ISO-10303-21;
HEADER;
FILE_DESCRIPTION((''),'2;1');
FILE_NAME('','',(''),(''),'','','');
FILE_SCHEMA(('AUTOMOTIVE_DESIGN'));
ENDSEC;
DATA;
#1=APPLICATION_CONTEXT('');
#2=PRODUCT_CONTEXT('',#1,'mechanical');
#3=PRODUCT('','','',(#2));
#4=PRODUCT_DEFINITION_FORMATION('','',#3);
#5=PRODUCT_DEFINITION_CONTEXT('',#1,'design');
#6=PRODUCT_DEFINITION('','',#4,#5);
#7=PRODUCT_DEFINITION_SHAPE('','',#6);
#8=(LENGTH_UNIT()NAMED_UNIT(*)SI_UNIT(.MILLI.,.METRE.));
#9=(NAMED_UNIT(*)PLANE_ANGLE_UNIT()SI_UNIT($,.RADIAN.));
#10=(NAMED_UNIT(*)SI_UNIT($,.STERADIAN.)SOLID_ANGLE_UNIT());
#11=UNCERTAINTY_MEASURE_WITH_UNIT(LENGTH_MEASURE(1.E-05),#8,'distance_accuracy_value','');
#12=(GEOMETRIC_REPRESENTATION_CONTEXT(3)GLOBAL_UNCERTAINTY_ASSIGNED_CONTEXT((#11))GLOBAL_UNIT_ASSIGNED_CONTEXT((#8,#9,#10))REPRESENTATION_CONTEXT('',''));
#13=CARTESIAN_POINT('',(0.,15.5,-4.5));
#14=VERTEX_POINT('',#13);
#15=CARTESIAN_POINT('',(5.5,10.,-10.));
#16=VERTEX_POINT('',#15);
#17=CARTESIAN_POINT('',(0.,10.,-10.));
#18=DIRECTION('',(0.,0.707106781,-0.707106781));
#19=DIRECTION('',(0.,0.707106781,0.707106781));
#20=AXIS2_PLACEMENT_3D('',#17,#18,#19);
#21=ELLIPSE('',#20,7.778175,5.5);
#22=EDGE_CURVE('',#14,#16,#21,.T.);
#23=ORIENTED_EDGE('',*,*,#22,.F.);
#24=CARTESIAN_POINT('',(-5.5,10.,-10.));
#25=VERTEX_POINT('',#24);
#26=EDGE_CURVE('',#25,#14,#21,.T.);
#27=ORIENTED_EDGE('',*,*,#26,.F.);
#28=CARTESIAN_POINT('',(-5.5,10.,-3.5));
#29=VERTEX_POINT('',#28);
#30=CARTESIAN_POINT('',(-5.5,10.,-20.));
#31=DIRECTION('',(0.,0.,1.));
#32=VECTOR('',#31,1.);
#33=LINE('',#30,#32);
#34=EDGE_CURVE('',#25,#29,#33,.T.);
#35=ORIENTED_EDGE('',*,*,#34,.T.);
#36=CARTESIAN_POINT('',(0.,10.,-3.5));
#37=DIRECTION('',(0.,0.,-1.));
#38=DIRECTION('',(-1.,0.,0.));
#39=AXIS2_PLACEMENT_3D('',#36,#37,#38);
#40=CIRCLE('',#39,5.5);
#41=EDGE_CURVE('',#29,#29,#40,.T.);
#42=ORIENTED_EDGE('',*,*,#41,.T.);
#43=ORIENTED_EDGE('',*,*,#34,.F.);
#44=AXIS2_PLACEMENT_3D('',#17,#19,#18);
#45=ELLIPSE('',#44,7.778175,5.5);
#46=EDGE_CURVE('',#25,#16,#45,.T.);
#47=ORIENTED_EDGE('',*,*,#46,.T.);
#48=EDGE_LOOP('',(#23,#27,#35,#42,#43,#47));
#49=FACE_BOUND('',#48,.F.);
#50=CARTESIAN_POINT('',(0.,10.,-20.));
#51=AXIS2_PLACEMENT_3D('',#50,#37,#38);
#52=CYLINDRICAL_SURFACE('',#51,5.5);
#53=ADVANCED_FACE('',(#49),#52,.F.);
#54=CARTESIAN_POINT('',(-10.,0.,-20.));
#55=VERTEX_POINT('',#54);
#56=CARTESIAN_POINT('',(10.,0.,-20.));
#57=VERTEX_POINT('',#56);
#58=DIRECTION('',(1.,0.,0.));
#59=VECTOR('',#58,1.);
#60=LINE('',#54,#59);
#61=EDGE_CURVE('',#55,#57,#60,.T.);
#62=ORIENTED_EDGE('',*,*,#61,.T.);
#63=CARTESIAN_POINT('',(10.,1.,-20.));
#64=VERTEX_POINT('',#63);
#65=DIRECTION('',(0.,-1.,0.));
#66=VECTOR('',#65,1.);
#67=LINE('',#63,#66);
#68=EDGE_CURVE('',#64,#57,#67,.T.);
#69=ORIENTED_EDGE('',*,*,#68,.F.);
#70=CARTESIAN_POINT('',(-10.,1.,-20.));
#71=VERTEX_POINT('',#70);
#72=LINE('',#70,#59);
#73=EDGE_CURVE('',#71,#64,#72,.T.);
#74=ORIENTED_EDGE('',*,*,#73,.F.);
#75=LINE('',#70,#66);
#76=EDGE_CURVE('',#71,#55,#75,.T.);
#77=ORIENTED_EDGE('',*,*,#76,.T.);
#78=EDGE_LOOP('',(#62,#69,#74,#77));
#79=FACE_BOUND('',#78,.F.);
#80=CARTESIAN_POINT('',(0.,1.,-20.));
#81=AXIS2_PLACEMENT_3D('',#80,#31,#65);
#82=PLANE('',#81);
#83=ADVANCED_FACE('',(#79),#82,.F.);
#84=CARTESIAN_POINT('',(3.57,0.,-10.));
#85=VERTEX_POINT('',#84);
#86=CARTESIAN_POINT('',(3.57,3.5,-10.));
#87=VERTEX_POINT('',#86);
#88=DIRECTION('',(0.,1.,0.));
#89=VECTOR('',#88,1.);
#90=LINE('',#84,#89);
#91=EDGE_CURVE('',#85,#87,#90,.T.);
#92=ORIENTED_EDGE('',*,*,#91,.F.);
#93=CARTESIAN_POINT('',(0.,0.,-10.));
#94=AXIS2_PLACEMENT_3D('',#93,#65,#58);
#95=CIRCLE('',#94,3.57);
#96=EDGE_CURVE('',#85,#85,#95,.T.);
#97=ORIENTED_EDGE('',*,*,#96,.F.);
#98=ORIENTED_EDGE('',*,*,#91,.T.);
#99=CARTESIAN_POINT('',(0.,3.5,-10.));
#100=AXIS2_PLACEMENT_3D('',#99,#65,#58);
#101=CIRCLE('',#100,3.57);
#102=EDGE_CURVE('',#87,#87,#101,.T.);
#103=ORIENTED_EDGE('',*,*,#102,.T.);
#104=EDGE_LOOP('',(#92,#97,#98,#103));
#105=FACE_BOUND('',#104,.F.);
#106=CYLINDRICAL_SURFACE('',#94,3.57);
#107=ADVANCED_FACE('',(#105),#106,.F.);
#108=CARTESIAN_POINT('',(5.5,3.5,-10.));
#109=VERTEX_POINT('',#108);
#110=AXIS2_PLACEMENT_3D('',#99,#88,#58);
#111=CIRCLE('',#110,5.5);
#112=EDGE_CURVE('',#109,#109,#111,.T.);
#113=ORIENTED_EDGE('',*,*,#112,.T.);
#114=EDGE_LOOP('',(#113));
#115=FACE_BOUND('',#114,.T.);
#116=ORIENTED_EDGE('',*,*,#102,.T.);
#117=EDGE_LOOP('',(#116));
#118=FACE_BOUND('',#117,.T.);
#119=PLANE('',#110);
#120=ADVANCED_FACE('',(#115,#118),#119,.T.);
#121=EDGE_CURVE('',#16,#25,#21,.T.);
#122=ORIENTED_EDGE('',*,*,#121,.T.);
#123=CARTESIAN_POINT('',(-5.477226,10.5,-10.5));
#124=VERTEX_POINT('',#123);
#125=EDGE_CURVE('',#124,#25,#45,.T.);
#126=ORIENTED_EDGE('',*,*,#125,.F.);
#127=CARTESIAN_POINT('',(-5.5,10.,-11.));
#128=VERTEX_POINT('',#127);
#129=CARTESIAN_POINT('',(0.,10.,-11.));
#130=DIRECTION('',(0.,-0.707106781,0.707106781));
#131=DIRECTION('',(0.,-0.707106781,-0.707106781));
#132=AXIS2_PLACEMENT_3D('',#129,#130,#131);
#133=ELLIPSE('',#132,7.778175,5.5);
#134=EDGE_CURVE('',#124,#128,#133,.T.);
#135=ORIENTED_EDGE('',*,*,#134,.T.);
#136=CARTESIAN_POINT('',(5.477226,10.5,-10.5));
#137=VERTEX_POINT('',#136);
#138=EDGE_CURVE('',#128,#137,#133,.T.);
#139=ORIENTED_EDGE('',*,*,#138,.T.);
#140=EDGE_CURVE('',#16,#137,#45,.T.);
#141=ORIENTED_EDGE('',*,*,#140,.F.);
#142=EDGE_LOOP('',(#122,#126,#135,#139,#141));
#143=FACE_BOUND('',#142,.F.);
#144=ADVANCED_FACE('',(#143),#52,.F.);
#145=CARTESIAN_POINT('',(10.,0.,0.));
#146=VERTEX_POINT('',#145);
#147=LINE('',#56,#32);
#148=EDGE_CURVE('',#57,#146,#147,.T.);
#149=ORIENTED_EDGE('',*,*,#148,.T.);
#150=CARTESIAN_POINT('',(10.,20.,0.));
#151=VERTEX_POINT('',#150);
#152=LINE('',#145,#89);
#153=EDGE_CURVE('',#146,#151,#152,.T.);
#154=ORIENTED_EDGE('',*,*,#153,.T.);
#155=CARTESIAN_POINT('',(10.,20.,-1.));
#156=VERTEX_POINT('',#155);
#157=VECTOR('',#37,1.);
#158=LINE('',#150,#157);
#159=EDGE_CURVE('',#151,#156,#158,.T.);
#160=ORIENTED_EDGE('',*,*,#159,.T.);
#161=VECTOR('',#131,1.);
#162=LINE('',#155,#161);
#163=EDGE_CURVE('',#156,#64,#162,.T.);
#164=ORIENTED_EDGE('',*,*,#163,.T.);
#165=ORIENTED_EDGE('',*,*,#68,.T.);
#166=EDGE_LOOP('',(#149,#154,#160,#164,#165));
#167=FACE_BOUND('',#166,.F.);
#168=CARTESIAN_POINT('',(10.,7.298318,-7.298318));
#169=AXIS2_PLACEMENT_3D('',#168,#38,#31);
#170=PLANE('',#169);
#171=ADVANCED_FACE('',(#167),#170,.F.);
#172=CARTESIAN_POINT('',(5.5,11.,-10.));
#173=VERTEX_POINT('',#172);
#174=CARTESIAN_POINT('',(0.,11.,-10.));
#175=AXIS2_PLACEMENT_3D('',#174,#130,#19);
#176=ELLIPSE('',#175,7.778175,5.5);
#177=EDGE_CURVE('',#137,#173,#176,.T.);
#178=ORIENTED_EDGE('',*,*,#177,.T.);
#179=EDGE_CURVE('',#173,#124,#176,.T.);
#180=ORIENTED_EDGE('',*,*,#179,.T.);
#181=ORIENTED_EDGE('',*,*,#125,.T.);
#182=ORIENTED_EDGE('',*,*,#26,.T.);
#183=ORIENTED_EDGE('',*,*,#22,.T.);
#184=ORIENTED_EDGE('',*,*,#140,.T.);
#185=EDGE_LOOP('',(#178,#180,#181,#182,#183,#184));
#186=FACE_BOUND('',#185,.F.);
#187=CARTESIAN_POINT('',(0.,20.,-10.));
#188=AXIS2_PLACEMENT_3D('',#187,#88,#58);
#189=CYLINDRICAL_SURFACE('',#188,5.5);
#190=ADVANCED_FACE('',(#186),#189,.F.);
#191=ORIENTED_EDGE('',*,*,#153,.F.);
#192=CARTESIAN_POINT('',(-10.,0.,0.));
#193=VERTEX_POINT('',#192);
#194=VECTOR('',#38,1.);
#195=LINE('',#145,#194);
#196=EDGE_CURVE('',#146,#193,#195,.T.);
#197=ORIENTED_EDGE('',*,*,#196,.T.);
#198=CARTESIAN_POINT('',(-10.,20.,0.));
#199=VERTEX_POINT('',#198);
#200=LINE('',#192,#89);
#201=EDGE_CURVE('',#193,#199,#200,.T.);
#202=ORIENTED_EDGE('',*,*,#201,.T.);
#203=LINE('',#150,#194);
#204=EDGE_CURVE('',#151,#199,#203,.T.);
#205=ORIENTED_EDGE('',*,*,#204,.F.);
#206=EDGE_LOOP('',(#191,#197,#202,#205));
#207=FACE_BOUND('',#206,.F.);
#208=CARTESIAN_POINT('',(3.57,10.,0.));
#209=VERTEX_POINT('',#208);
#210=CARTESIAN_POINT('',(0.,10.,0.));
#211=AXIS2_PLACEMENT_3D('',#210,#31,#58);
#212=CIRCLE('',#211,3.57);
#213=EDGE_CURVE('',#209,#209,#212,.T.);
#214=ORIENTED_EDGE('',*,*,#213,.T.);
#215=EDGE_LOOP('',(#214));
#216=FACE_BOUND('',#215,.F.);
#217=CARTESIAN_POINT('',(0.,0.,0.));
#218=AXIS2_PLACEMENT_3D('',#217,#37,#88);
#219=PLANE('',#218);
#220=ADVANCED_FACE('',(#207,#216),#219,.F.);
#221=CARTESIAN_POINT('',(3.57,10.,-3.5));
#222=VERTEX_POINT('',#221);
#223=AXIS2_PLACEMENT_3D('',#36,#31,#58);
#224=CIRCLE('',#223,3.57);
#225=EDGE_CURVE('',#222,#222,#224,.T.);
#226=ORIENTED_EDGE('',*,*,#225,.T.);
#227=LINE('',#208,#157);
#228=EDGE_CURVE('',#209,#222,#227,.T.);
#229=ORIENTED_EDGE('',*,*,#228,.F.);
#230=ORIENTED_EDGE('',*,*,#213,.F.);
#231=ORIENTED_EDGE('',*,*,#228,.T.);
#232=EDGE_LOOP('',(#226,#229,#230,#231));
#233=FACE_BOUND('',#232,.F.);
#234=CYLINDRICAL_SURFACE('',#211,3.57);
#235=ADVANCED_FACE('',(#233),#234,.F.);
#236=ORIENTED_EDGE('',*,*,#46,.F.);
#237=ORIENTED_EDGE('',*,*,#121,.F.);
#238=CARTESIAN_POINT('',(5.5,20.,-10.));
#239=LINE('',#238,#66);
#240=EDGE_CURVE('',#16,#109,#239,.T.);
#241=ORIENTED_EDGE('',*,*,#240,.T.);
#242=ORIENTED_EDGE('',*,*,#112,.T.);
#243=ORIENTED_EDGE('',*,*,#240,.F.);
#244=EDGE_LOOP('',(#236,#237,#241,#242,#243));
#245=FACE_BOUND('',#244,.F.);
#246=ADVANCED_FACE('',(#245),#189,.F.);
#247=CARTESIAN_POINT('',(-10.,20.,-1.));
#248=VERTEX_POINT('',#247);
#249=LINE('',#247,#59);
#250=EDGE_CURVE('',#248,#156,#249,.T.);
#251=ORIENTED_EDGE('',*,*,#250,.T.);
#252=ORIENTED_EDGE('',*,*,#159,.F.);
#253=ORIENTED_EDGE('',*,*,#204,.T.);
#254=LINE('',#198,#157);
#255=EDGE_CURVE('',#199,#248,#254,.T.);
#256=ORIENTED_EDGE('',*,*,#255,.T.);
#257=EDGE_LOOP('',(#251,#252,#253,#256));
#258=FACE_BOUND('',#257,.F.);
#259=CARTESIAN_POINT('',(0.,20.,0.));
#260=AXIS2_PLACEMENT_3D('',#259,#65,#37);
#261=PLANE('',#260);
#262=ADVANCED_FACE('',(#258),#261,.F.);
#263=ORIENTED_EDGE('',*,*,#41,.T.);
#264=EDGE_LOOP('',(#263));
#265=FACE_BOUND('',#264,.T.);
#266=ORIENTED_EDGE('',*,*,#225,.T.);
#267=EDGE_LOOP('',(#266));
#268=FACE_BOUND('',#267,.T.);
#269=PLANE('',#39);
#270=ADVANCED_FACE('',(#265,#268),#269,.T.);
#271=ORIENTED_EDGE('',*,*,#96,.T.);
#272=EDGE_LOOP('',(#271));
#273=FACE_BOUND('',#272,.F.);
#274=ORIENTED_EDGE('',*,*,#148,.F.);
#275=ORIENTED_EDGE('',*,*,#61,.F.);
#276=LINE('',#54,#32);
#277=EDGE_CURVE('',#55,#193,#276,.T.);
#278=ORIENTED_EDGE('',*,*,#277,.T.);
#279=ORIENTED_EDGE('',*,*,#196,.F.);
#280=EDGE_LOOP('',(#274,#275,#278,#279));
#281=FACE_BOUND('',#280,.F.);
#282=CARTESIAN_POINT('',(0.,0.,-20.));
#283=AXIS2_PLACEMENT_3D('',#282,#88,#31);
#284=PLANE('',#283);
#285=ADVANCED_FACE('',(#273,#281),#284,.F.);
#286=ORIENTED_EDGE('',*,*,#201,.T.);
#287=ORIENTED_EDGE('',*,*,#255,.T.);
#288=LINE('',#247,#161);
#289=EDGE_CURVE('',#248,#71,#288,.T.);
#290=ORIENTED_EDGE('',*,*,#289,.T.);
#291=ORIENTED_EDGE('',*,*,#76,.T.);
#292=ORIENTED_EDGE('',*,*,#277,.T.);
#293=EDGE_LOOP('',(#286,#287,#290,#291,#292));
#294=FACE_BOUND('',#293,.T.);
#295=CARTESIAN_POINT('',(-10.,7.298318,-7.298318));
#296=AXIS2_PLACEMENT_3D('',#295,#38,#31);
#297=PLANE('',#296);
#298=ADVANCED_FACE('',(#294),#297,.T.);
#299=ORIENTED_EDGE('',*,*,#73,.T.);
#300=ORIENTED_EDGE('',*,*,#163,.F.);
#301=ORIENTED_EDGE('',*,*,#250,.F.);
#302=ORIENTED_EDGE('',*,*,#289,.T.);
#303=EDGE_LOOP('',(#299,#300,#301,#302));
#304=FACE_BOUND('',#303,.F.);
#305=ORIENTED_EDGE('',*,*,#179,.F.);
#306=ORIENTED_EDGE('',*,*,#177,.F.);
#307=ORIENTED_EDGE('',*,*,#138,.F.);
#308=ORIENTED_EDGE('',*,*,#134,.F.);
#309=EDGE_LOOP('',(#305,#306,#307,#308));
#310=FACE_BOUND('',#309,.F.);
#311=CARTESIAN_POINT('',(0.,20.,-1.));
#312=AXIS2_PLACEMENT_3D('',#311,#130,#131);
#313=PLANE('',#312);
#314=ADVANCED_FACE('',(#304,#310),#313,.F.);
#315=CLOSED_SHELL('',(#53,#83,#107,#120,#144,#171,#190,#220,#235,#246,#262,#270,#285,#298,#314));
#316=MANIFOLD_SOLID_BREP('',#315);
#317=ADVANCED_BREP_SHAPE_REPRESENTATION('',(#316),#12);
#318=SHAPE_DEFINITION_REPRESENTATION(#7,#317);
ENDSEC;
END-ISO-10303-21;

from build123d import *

# Parameters (mm, degrees)
BOSS_EXTRU_1_DEPTH      = 10
ESQUISSE2_R             = 3.57
ENL_V_MAT_EXTRU_1_DEPTH = 21
ESQUISSE3_R             = 5.5
ENL_V_MAT_EXTRU_2_DEPTH = 16.5
ESQUISSE5_R             = 3.57
ENL_V_MAT_EXTRU_3_DEPTH = 21
ESQUISSE6_R             = 5.5
ENL_V_MAT_EXTRU_4_DEPTH = 16.5


with BuildPart() as part:
    # Esquisse1 → Boss.-Extru.1 (new body, symmetric)
    with BuildSketch(Plane(origin=(0, 0, 0), x_dir=(0, 0, -1), z_dir=(1, 0, 0))):
        Polygon((20, 0), (0, 0), (0, 20), (1, 20), (20, 1), align=None)
    extrude(amount=BOSS_EXTRU_1_DEPTH, both=True)

    # Esquisse2 → Enlèv. mat.-Extru.1 (cut, through all)
    with BuildSketch(Plane.XZ):
        with Locations((0, -10)):
            Circle(ESQUISSE2_R)
    extrude(amount=-ENL_V_MAT_EXTRU_1_DEPTH, mode=Mode.SUBTRACT)

    # Esquisse3 → Enlèv. mat.-Extru.2 (cut)
    with BuildSketch(Plane(origin=(0, 20, 0), x_dir=(1, 0, 0), z_dir=(0, 1, 0))):
        with Locations((0, 10)):
            Circle(ESQUISSE3_R)
    extrude(amount=-ENL_V_MAT_EXTRU_2_DEPTH, mode=Mode.SUBTRACT)

    # Esquisse5 → Enlèv. mat.-Extru.3 (cut, through all)
    with BuildSketch(Plane.XY):
        with Locations((0, 10)):
            Circle(ESQUISSE5_R)
    extrude(amount=-ENL_V_MAT_EXTRU_3_DEPTH, mode=Mode.SUBTRACT)

    # Esquisse6 → Enlèv. mat.-Extru.4 (cut)
    with BuildSketch(Plane(origin=(0, 0, -20), x_dir=(-1, 0, 0), z_dir=(0, 0, -1))):
        with Locations((0, 10)):
            Circle(ESQUISSE6_R)
    extrude(amount=-ENL_V_MAT_EXTRU_4_DEPTH, mode=Mode.SUBTRACT)


solid = part.part
